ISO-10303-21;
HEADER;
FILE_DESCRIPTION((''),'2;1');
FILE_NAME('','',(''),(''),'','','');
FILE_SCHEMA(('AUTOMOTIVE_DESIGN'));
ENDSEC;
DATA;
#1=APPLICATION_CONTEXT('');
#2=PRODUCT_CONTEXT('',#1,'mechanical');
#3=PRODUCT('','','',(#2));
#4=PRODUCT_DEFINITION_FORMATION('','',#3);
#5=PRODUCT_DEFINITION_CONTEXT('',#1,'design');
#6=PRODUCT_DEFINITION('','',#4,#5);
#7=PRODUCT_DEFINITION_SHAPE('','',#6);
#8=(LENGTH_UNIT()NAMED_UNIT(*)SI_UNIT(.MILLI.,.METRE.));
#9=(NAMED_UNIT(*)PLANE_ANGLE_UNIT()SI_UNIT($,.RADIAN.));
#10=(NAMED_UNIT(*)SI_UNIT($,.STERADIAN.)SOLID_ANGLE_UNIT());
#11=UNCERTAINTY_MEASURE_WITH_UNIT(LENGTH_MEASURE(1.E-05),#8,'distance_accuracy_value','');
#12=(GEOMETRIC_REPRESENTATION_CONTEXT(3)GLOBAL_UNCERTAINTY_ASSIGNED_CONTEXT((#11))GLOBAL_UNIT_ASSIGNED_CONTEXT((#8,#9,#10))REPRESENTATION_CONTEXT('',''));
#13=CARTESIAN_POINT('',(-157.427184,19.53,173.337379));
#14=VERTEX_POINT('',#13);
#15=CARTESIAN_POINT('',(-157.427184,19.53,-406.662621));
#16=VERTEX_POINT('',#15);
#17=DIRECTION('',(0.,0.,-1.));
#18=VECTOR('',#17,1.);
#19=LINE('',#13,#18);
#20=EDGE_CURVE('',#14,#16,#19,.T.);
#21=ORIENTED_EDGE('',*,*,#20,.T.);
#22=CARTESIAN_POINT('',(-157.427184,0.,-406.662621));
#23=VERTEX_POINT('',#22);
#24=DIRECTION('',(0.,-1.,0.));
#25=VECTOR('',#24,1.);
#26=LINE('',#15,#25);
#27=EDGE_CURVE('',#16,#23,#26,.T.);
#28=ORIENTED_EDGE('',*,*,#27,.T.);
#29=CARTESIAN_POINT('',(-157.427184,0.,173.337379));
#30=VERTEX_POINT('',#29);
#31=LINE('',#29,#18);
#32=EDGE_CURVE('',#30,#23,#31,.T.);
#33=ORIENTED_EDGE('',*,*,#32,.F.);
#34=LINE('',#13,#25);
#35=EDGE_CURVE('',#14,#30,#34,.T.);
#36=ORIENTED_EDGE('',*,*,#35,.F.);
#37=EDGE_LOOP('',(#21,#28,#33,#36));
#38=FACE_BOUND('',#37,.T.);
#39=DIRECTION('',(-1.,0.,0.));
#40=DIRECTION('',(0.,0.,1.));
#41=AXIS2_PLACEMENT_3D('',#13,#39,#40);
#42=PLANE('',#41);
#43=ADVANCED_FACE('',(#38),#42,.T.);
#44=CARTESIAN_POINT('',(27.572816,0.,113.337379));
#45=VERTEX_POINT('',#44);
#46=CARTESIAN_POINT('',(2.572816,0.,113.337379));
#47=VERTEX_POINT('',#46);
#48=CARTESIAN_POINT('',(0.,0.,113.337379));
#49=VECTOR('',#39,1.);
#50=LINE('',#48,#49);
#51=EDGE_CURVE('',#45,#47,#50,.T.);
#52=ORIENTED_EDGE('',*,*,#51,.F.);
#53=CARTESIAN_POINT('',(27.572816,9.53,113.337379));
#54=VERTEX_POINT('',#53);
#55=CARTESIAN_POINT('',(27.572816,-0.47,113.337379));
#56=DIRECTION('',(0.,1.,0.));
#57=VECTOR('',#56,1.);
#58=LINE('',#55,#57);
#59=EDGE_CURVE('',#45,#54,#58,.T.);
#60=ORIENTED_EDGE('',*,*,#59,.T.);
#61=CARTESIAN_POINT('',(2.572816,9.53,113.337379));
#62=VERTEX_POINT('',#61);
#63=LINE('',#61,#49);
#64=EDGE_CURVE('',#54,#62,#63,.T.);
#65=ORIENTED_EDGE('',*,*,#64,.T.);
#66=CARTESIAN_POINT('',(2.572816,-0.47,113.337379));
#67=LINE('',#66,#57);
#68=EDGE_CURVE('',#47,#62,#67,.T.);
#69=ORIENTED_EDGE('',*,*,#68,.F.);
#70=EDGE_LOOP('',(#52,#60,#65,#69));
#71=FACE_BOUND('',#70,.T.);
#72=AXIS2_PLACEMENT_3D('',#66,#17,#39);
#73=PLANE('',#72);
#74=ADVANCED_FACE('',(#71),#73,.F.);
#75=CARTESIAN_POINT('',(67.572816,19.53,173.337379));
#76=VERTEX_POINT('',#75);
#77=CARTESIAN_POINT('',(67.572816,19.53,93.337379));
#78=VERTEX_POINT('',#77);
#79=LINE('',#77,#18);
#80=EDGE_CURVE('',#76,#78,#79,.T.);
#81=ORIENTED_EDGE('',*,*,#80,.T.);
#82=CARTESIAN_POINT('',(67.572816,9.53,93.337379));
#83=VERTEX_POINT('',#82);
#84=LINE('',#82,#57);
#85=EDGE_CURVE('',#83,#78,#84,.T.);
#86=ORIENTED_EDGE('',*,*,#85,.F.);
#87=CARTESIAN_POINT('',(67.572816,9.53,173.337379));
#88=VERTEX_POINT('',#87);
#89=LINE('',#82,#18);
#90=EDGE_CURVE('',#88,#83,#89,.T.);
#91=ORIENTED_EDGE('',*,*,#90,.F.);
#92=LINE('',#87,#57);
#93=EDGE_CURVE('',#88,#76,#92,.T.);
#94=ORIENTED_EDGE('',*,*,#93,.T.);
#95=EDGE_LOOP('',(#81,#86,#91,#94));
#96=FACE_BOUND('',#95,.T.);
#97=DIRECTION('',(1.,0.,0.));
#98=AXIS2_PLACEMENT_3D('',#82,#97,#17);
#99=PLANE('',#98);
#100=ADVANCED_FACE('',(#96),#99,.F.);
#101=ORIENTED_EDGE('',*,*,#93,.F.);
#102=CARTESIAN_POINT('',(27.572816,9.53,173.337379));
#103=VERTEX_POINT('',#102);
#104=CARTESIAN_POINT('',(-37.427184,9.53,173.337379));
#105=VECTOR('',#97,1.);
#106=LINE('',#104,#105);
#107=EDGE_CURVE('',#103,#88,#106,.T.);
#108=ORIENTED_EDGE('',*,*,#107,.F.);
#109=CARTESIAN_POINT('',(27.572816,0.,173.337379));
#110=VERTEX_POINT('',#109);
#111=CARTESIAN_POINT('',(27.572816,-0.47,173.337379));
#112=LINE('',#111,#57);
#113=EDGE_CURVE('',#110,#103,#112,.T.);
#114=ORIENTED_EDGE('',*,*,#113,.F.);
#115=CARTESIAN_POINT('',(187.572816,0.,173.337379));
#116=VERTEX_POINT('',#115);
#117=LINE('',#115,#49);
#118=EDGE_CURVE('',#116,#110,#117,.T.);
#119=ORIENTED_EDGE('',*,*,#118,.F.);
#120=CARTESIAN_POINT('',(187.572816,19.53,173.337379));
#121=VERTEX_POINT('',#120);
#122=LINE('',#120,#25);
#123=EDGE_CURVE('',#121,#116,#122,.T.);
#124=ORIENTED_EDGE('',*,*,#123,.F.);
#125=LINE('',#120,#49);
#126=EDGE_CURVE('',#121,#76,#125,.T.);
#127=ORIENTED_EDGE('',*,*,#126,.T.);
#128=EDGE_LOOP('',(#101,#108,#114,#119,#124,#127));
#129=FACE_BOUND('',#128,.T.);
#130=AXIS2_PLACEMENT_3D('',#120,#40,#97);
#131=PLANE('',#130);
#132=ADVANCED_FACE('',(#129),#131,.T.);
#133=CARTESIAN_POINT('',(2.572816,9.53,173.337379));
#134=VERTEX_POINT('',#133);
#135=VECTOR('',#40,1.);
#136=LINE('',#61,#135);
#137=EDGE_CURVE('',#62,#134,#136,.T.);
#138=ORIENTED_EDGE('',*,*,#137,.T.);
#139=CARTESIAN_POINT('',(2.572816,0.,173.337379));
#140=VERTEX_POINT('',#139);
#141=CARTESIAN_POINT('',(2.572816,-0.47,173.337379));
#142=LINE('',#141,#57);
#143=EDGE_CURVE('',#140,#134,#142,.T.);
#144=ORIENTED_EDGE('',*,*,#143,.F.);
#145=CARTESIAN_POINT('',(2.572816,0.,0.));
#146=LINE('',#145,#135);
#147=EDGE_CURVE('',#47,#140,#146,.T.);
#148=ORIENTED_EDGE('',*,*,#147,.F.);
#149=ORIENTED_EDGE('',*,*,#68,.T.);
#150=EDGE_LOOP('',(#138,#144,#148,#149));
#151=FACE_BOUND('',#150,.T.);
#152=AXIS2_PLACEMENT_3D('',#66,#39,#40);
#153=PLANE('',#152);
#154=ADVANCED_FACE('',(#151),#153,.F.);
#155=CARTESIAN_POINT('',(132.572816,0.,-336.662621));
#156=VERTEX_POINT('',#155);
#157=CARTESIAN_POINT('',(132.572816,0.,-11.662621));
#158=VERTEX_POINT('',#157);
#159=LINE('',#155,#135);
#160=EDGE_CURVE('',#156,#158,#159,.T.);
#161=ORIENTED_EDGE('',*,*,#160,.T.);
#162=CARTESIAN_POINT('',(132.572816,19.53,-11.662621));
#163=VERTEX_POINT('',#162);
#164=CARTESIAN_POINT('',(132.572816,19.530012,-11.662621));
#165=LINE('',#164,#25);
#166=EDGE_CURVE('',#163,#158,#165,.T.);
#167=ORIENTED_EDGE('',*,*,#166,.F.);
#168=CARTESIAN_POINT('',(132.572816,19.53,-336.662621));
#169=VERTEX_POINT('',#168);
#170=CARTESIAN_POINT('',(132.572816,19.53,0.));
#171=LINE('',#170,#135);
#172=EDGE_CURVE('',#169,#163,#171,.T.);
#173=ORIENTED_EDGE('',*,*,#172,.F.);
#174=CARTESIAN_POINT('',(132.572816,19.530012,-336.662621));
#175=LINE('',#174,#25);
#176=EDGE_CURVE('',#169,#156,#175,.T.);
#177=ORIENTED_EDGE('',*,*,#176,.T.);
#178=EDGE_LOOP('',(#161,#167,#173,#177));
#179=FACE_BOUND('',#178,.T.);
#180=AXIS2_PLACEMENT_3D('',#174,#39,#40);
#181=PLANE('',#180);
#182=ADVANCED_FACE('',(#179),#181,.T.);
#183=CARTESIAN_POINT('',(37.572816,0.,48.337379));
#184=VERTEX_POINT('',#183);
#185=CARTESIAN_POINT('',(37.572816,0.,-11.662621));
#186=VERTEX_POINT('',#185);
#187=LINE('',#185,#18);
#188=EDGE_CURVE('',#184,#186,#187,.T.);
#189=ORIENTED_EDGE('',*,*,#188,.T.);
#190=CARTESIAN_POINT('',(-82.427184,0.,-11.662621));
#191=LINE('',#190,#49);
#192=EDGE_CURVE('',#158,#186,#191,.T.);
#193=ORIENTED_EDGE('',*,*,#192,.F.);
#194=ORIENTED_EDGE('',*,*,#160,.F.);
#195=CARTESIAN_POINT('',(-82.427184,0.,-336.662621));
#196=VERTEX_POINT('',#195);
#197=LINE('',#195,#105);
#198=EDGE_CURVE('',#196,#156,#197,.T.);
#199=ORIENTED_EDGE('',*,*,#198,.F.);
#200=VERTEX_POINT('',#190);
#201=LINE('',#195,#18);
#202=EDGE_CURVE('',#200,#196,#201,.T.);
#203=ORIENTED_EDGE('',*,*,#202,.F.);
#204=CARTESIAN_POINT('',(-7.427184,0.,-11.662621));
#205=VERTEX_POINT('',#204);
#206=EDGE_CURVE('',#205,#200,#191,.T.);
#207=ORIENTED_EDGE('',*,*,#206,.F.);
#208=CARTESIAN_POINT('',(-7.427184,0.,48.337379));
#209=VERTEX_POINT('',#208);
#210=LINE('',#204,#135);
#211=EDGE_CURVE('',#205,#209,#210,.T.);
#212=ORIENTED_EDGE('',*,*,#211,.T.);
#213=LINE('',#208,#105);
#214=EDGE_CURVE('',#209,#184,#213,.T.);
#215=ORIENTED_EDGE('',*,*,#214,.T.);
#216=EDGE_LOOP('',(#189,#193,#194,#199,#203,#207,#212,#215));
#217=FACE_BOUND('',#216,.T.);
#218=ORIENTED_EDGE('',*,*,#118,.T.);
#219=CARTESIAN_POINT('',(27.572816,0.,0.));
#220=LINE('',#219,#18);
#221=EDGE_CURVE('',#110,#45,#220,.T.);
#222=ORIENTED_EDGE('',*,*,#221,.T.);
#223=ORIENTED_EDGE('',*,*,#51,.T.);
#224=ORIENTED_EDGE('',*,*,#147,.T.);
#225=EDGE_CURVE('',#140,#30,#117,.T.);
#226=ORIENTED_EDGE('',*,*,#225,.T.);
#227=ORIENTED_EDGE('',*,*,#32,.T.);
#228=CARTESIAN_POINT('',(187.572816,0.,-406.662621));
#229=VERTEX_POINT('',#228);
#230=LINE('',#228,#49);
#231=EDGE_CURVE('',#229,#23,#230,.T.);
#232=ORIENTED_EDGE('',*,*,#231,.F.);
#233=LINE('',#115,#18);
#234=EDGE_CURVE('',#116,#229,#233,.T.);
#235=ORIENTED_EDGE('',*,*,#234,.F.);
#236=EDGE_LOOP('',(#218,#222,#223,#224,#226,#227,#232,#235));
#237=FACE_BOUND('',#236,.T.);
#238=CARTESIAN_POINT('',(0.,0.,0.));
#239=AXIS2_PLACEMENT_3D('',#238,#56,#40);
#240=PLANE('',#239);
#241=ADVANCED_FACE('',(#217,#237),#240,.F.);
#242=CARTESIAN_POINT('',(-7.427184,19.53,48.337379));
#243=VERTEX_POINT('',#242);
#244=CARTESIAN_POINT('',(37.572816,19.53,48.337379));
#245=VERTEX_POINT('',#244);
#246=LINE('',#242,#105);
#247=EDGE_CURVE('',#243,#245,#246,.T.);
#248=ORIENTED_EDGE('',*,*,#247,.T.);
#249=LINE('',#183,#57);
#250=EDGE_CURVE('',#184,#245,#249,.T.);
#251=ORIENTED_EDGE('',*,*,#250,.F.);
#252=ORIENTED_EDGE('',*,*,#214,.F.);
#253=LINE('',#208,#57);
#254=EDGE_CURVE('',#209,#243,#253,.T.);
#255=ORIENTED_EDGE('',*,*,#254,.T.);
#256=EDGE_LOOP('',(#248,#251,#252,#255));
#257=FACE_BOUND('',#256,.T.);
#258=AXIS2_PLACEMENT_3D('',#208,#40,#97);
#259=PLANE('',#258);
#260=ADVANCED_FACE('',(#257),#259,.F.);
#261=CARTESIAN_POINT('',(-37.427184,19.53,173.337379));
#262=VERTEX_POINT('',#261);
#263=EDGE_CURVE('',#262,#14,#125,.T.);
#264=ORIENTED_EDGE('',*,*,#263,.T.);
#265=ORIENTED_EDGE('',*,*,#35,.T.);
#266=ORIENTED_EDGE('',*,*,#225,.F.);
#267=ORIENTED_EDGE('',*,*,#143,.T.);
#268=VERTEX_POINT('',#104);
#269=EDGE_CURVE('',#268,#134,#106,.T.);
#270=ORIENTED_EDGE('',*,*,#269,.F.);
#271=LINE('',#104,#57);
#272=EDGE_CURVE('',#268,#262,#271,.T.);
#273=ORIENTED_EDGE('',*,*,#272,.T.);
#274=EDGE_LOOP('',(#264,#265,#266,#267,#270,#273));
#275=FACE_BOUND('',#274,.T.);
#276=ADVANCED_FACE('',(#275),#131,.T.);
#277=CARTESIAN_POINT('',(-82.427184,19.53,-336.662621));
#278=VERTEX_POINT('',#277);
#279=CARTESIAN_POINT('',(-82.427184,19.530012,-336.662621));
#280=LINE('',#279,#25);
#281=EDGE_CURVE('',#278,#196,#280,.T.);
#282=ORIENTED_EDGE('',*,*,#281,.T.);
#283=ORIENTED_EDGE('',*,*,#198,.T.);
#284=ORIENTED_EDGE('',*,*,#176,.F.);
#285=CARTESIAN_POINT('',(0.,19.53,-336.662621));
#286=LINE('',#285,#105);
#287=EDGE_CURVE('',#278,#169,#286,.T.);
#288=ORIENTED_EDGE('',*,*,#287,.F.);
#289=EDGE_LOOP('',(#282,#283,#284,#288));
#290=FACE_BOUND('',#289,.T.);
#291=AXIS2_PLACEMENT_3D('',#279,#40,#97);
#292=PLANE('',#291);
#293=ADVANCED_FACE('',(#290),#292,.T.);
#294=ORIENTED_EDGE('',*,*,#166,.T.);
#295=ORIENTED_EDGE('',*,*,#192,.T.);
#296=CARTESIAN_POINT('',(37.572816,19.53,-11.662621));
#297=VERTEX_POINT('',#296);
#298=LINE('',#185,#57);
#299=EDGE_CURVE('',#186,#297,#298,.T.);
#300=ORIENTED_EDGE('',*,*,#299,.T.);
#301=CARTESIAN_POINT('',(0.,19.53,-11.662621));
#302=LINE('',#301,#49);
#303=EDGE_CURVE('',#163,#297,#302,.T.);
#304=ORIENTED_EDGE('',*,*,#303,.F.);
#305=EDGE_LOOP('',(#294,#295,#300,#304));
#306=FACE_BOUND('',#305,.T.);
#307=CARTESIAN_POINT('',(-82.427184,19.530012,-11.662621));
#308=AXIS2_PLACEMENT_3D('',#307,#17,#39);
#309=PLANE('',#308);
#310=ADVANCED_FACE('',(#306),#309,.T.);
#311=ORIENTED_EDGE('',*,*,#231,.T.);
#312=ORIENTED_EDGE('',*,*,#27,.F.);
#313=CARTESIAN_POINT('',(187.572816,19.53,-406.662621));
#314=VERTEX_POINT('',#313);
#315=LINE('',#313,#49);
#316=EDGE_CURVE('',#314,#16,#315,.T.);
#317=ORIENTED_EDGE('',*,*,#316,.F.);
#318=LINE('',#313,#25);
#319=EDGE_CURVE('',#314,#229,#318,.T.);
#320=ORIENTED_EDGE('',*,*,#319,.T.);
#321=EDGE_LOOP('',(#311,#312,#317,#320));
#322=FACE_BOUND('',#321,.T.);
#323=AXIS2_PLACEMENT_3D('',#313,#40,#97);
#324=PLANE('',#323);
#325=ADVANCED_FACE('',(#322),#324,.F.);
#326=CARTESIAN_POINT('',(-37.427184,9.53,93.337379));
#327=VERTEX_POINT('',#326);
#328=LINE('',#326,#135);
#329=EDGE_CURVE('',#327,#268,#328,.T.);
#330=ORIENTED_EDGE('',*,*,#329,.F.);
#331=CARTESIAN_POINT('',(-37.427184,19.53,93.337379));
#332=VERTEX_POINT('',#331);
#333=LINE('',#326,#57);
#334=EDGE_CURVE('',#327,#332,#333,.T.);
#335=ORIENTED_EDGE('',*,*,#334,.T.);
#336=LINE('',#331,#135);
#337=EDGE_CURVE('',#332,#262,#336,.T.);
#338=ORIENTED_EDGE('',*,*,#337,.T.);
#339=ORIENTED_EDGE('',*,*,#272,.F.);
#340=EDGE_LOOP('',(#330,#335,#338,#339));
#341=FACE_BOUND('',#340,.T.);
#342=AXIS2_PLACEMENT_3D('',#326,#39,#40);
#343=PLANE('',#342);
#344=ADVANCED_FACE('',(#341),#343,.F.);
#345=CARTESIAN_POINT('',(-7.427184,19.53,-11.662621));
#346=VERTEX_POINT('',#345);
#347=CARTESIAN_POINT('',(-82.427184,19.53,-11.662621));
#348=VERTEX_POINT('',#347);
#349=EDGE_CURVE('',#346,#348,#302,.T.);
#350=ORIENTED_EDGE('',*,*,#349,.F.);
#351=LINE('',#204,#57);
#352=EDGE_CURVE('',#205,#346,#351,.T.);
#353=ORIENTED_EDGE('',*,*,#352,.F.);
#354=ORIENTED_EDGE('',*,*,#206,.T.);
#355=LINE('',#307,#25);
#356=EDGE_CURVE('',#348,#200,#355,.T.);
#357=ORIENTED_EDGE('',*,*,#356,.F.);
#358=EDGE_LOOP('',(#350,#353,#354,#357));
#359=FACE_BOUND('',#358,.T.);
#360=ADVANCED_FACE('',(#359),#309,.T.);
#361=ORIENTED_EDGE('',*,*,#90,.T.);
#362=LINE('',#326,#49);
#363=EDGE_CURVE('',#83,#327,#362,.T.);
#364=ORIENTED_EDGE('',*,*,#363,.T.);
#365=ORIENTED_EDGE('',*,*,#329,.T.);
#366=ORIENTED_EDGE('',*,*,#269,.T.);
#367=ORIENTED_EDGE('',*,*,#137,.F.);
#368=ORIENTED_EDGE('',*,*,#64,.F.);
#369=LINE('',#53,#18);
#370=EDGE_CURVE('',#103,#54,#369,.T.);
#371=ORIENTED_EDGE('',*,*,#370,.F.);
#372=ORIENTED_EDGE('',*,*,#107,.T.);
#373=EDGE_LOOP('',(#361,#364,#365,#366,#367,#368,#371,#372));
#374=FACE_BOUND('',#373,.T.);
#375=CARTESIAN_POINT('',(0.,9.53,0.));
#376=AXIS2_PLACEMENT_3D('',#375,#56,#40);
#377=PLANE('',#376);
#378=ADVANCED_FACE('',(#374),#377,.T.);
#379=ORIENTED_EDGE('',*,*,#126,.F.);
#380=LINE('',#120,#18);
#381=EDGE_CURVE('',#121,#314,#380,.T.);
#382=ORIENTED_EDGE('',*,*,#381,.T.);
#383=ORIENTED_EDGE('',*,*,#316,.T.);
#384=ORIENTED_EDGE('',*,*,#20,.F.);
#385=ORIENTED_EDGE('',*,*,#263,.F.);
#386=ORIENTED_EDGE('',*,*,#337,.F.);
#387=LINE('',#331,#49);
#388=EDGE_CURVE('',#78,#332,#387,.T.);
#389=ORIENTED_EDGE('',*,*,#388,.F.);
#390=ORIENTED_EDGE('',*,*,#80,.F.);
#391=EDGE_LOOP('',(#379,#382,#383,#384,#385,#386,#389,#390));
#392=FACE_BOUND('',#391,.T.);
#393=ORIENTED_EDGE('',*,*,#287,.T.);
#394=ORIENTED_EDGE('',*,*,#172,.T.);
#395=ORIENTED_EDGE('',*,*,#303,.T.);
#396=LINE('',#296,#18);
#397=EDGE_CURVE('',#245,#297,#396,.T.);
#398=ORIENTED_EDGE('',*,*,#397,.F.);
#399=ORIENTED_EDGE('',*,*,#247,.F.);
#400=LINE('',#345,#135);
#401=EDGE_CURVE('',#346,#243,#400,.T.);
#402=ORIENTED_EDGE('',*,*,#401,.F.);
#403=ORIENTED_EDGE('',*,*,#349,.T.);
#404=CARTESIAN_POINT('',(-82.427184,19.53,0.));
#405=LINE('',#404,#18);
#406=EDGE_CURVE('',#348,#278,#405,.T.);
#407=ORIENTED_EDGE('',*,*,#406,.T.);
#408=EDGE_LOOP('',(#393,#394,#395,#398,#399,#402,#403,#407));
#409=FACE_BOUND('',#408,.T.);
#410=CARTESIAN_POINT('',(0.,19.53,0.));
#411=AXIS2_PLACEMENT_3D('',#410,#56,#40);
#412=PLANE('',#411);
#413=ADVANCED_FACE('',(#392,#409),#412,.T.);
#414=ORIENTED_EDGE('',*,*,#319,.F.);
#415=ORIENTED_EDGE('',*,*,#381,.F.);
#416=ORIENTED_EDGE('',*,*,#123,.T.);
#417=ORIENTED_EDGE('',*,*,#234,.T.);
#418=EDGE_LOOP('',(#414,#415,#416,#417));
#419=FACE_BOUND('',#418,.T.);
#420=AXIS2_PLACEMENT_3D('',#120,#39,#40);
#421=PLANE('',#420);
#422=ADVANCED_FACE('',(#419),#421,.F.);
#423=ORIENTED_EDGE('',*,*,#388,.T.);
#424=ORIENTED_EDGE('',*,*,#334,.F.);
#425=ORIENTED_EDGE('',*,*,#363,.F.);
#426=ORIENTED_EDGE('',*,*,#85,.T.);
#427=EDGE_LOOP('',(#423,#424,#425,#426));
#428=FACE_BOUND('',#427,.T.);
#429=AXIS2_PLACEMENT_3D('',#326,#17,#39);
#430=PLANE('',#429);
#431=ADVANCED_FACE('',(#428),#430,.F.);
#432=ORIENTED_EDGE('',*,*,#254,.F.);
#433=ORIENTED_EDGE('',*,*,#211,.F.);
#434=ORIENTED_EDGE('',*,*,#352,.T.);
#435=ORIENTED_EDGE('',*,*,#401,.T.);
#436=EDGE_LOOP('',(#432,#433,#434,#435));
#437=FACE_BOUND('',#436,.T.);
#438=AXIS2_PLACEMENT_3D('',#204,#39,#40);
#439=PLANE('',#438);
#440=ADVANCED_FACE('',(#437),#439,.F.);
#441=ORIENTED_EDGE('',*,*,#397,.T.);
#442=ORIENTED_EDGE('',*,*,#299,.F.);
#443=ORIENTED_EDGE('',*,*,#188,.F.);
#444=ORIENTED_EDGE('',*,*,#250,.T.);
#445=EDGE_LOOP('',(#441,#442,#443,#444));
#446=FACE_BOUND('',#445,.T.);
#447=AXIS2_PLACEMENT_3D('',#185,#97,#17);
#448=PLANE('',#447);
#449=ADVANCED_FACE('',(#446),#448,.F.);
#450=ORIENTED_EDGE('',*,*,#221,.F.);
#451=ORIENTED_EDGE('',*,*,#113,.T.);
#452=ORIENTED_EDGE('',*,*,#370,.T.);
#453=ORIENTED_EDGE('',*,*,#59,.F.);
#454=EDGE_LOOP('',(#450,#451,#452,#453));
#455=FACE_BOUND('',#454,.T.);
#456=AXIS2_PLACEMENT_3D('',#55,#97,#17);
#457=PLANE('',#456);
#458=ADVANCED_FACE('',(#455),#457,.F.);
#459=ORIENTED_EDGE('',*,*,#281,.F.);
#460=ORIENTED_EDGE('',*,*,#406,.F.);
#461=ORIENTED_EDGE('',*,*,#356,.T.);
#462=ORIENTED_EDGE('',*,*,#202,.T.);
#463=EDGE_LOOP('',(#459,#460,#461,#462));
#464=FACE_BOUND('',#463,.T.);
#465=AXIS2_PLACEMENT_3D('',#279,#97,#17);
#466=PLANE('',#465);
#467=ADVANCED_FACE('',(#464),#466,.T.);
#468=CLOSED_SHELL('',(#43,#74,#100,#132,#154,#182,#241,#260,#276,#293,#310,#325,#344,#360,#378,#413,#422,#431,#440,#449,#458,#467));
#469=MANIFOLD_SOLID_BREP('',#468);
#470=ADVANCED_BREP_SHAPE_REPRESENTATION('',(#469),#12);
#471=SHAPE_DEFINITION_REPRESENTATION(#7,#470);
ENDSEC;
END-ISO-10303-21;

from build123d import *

# Parameters (mm, degrees)
SKETCH1_W                      = 345
SKETCH1_H                      = 580
BOSS_EXTRUDE1_DEPTH            = 19.53
CUT_EXTRUDE1_REACH             = 450.263
SKETCH2_W                      = 215
SKETCH2_H                      = 325
CUT_EXTRUDE1_DIRECTION_2_DEPTH = 449.2627239
SKETCH3_W                      = 45
SKETCH3_H                      = 60
CUT_EXTRUDE2_DEPTH             = 19.53
SKETCH4_W                      = 105
SKETCH4_H                      = 80
CUT_EXTRUDE3_DEPTH             = 10
SKETCH5_W                      = 25
SKETCH5_H                      = 60
CUT_EXTRUDE4_DEPTH             = 10


with BuildPart() as part:
    # Sketch1 → Boss-Extrude1 (new body)
    with BuildSketch(Plane(origin=(0, 0, 0), x_dir=(1, 0, 0), z_dir=(0, 1, 0))):
        with Locations((15.072815534, 116.662621359)):
            Rectangle(SKETCH1_W, SKETCH1_H)
    extrude(amount=BOSS_EXTRUDE1_DEPTH)

    # Sketch2 → Cut-Extrude1 (cut, up to next)
    with BuildSketch(Plane(origin=(0, 19.53, 0), x_dir=(1, 0, 0), z_dir=(0, 1, 0)), mode=Mode.PRIVATE) as cut_extrude1_sk1:
        with Locations((25.072815534, 174.162621359)):
            Rectangle(SKETCH2_W, SKETCH2_H)
    cut_extrude1_tool1 = extrude(cut_extrude1_sk1.sketch, amount=-CUT_EXTRUDE1_REACH, mode=Mode.PRIVATE) & part.part
    add(cut_extrude1_tool1.solids().sort_by_distance((25.072816, 19.53, -174.162621))[0], mode=Mode.SUBTRACT)

    # Sketch2 → Cut-Extrude1 direction 2 (cut)
    with BuildSketch(Plane(origin=(0, 19.53, 0), x_dir=(1, 0, 0), z_dir=(0, 1, 0))):
        with Locations((25.072815534, 174.162621359)):
            Rectangle(SKETCH2_W, SKETCH2_H)
    extrude(amount=CUT_EXTRUDE1_DIRECTION_2_DEPTH, mode=Mode.SUBTRACT)

    # Sketch3 → Cut-Extrude2 (cut)
    with BuildSketch(Plane(origin=(0, 19.53, 0), x_dir=(1, 0, 0), z_dir=(0, 1, 0))):
        with Locations((15.072815534, -18.337378641)):
            Rectangle(SKETCH3_W, SKETCH3_H)
    extrude(amount=-CUT_EXTRUDE2_DEPTH, mode=Mode.SUBTRACT)

    # Sketch4 → Cut-Extrude3 (cut)
    with BuildSketch(Plane(origin=(0, 19.53, 0), x_dir=(1, 0, 0), z_dir=(0, 1, 0))):
        with Locations((15.072815534, -133.337378641)):
            Rectangle(SKETCH4_W, SKETCH4_H)
    extrude(amount=-CUT_EXTRUDE3_DEPTH, mode=Mode.SUBTRACT)

    # Sketch5 → Cut-Extrude4 (cut)
    with BuildSketch(Plane(origin=(0, 9.53, 0), x_dir=(1, 0, 0), z_dir=(0, 1, 0))):
        with Locations((15.072815534, -143.337378641)):
            Rectangle(SKETCH5_W, SKETCH5_H)
    extrude(amount=-CUT_EXTRUDE4_DEPTH, mode=Mode.SUBTRACT)


solid = part.part
